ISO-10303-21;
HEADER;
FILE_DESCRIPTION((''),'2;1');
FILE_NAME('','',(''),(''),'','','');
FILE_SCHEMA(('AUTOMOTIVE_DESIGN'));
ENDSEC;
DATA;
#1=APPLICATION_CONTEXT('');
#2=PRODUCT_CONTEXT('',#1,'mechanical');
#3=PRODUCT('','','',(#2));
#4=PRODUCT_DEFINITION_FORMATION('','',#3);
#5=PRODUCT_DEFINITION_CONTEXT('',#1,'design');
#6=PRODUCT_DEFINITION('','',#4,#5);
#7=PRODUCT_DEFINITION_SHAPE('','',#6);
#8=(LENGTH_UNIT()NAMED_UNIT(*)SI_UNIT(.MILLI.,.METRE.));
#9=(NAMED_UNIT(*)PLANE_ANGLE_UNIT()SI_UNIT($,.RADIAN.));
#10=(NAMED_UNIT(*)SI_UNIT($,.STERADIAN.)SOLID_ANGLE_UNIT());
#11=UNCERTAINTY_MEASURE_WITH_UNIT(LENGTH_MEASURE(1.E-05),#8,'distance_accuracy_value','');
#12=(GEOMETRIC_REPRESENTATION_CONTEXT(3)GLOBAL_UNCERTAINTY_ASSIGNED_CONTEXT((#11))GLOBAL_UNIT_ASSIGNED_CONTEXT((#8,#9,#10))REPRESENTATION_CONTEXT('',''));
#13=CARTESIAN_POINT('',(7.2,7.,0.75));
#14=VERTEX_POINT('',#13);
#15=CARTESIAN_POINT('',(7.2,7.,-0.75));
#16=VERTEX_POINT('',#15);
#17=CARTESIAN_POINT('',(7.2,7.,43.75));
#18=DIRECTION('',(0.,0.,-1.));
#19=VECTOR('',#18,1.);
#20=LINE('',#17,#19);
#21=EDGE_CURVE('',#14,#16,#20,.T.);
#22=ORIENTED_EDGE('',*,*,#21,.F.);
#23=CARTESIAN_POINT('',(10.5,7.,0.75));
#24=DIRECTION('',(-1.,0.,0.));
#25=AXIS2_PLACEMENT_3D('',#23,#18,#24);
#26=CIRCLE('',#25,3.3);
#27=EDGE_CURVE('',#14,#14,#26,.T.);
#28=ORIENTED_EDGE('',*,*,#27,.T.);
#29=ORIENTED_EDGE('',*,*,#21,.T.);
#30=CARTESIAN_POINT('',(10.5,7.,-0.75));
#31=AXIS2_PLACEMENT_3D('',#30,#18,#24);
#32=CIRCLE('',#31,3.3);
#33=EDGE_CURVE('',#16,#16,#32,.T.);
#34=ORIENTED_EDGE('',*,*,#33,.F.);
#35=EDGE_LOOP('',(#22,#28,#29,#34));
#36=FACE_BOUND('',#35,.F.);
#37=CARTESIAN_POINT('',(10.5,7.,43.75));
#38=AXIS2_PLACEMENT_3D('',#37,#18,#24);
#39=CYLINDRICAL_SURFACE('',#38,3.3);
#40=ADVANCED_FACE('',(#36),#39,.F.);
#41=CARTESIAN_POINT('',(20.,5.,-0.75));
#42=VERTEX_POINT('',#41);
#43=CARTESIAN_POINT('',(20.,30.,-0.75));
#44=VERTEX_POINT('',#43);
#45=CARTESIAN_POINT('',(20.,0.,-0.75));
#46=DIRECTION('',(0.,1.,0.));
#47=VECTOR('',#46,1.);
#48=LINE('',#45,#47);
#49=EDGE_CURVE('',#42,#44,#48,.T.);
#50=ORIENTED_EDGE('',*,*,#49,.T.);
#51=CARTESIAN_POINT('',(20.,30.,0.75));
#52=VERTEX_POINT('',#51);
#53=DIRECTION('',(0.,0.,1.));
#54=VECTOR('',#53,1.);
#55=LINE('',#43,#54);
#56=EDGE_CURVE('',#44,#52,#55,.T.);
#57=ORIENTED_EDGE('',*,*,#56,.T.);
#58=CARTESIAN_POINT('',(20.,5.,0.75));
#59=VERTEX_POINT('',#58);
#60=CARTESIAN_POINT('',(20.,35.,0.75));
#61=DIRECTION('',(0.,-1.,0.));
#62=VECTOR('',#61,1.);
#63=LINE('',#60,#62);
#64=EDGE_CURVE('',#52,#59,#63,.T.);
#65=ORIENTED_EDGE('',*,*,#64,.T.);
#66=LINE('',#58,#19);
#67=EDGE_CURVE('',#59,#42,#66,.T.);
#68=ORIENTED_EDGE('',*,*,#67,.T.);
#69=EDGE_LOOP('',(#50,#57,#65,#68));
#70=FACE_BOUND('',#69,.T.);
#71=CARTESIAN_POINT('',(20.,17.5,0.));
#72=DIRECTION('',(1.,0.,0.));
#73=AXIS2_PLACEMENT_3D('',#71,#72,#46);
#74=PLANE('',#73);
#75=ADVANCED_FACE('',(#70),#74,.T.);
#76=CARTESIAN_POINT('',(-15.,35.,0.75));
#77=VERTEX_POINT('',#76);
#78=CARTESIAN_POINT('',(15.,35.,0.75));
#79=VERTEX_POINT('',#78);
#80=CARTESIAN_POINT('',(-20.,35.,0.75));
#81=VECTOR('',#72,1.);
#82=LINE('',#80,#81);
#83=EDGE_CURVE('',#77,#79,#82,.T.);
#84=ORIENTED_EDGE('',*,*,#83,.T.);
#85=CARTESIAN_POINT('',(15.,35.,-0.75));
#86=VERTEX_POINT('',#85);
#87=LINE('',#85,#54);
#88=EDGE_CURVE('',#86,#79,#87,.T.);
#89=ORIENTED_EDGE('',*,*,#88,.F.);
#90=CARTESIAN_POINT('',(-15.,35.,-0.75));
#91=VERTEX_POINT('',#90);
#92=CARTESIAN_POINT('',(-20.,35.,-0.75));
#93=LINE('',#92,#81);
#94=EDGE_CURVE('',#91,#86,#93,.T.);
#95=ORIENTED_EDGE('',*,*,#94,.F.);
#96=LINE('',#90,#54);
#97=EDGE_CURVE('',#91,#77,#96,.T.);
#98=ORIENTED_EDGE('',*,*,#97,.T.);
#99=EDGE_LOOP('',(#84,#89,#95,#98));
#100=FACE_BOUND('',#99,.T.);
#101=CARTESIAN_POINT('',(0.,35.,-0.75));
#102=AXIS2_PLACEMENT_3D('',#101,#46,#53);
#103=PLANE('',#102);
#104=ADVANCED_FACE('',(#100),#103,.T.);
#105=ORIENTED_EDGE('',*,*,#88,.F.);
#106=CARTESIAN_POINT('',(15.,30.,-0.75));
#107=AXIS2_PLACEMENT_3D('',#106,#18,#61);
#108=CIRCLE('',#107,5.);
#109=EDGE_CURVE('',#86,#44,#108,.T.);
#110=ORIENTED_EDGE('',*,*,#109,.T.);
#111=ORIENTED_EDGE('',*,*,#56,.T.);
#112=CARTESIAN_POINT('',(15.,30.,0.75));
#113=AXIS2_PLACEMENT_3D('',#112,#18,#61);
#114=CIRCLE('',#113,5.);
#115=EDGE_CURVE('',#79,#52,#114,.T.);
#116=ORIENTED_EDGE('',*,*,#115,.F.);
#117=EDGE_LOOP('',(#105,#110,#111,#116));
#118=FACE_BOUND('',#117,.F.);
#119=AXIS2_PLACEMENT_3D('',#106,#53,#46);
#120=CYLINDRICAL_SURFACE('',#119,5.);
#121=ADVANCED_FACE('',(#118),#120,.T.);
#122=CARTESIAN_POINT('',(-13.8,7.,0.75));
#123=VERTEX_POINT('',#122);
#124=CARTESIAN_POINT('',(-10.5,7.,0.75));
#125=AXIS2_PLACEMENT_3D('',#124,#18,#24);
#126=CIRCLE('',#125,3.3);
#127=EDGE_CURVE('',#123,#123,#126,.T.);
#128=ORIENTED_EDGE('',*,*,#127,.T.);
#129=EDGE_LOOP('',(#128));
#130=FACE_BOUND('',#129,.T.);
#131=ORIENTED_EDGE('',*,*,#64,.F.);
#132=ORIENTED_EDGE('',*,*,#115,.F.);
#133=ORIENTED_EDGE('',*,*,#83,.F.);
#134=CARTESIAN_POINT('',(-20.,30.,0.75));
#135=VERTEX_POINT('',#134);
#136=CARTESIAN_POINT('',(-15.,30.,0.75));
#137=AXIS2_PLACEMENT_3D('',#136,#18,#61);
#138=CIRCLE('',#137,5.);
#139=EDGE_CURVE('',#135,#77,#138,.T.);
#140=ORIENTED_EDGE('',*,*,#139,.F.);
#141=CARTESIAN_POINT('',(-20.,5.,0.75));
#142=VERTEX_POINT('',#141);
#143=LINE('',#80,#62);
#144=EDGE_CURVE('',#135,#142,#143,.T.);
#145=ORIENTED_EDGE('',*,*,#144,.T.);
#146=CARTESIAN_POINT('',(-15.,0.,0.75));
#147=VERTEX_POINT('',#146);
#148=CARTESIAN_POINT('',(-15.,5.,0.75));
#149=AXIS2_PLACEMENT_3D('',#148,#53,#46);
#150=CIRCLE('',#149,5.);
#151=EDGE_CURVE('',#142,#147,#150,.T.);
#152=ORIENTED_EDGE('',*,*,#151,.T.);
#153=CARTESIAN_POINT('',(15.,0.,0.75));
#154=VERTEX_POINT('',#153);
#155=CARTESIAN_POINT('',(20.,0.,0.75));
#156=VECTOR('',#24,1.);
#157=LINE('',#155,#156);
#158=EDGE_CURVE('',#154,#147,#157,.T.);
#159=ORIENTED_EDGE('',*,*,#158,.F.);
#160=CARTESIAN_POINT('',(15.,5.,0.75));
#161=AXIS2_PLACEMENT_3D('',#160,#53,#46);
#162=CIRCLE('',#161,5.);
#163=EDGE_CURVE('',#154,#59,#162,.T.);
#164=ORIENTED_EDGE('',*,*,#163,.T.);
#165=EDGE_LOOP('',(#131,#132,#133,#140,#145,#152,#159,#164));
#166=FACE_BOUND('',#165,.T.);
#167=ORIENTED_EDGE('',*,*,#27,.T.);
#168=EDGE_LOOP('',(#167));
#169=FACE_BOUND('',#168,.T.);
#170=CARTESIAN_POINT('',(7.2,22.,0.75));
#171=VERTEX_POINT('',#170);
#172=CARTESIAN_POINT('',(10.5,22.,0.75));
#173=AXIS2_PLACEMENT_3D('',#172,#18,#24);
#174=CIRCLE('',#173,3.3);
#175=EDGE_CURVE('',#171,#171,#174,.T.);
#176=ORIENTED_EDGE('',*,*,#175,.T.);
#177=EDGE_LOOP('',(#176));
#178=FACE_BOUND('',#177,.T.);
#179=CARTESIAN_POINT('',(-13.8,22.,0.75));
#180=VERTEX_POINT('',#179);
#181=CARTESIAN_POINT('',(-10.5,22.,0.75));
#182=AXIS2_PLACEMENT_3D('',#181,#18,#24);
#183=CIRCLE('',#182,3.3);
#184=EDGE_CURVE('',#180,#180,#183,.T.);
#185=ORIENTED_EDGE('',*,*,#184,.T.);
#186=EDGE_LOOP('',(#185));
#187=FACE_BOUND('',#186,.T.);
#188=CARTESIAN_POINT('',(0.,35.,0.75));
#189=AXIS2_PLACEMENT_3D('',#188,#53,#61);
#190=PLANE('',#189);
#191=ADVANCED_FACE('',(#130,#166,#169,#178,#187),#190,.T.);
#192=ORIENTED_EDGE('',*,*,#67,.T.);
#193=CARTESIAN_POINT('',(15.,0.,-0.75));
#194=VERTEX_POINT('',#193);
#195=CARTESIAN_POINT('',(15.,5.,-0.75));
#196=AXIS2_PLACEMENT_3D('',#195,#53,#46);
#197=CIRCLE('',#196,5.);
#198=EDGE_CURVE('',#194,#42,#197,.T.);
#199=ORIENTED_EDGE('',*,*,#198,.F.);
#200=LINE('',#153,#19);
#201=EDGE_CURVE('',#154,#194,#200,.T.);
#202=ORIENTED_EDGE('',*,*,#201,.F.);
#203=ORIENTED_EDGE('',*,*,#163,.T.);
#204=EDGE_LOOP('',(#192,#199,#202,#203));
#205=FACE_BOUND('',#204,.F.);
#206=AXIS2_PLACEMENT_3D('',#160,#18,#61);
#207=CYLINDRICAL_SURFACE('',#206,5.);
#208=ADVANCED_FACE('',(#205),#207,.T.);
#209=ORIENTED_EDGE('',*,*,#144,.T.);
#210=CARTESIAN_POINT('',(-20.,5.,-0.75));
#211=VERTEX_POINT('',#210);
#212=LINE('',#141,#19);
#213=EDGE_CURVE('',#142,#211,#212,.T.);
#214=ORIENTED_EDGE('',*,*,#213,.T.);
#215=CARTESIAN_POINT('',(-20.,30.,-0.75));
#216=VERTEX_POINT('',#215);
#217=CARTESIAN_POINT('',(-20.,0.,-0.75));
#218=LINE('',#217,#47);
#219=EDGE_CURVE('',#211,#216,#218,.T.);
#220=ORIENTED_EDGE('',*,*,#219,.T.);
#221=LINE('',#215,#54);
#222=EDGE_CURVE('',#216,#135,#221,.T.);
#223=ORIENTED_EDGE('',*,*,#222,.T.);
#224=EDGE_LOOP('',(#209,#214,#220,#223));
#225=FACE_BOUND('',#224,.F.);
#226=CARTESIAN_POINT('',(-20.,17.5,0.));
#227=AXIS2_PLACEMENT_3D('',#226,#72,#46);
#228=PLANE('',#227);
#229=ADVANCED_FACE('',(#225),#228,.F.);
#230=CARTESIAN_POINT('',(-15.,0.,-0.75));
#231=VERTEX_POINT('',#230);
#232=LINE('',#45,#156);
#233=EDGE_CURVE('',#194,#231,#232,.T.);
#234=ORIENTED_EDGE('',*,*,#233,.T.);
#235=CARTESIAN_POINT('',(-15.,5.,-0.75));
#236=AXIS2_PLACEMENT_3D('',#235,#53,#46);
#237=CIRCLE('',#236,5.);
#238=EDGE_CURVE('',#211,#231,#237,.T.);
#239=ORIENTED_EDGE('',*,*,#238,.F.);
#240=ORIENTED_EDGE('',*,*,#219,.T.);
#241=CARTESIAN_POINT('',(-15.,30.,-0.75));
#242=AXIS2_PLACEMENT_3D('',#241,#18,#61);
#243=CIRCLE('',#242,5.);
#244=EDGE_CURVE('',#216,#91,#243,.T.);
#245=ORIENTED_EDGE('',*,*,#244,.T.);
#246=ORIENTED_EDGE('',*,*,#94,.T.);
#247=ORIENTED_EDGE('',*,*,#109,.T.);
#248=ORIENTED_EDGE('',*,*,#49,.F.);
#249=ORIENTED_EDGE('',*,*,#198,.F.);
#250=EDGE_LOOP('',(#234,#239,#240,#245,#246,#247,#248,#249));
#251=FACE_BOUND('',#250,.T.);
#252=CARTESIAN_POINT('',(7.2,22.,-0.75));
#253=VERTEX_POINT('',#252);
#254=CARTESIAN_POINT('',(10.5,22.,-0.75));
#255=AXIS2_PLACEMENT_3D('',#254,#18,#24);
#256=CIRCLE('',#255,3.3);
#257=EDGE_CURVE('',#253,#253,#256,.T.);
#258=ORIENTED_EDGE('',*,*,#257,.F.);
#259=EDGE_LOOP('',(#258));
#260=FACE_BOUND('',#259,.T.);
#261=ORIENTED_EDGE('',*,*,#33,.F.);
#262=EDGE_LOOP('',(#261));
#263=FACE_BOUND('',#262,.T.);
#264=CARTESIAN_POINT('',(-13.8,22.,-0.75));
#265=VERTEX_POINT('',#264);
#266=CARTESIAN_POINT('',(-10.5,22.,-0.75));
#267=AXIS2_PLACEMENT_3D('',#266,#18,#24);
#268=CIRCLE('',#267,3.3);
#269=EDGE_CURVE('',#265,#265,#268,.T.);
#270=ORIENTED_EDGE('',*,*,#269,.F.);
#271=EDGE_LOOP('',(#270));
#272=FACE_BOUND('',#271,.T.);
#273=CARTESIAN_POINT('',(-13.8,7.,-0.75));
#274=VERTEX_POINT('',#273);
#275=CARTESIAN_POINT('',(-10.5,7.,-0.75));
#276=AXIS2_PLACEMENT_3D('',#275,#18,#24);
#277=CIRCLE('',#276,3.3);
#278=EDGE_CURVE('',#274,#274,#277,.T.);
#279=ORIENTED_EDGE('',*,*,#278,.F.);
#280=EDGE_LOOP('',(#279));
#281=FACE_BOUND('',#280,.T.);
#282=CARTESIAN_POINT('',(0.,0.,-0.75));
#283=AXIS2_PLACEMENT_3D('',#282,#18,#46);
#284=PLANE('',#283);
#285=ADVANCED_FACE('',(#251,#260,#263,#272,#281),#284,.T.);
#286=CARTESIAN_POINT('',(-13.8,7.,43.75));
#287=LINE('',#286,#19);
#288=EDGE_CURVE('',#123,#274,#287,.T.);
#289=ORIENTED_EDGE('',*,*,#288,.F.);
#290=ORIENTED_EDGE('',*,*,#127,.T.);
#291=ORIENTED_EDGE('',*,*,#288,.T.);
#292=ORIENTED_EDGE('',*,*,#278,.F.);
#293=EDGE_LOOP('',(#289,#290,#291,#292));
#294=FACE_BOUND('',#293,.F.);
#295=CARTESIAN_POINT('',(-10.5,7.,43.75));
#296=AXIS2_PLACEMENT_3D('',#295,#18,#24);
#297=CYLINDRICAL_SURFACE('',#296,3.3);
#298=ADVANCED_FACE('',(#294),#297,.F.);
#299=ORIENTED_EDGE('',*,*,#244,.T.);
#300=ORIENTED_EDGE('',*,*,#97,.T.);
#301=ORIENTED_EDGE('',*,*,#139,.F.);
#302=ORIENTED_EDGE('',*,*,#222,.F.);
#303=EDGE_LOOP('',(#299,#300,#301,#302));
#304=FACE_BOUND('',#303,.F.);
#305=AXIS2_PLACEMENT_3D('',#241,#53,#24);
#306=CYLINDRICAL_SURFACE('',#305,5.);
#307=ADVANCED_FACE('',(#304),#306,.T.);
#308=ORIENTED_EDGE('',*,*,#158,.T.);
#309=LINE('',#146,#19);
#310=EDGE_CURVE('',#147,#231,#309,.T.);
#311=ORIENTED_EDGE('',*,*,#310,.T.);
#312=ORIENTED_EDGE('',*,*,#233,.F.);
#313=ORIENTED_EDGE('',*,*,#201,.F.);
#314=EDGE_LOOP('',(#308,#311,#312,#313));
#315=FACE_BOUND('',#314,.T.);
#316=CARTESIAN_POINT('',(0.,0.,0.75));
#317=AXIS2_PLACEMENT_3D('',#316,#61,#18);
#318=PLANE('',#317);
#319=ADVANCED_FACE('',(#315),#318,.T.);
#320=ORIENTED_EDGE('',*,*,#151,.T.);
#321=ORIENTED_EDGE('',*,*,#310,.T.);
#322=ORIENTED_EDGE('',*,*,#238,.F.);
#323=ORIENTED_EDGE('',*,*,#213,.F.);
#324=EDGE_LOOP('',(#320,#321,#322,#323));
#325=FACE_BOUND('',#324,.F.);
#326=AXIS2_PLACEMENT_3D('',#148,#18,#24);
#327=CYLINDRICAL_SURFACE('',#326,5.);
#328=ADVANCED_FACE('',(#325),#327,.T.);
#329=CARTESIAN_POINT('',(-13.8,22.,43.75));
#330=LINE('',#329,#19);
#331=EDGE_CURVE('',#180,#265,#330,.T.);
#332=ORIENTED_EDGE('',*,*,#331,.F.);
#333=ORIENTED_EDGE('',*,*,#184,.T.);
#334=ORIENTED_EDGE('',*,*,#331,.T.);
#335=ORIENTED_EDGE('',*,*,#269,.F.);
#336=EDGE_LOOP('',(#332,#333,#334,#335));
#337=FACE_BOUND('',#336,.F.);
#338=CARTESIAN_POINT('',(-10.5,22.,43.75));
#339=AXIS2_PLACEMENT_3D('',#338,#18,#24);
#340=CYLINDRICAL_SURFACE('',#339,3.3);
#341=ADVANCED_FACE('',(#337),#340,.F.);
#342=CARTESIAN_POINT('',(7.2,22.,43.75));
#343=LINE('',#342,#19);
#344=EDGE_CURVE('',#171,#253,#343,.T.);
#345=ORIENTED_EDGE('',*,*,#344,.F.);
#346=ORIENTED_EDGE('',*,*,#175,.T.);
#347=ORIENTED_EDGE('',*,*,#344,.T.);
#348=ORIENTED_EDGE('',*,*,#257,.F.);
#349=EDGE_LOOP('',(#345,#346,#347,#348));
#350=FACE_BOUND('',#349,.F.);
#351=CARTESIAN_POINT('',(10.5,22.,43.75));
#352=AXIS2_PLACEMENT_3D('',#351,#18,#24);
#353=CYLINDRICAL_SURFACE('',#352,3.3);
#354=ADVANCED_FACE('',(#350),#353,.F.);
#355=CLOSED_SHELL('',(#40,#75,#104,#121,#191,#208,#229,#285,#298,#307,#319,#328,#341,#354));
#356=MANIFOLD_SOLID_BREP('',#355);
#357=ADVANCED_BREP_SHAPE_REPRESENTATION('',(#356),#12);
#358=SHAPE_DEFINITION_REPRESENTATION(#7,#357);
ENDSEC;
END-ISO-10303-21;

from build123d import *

# Parameters (mm, degrees)
F1_DEPTH = 20
F3_D     = 6.6
F3_DEPTH = 43
F3_TIP   = 1.9828400428
F4_R     = 5


with BuildPart() as f1:
    # F0 (on Right) → F1 (new body, symmetric)
    with BuildSketch(Plane.YZ):
        Polygon((0, 0), (0, -0.75), (35, -0.75), (35, 0.75), (0, 0.75), align=None)
    extrude(amount=F1_DEPTH, both=True)

    # F3
    with Locations(Plane.XY.offset(0.75)):
        with Locations((-10.5, 7), (10.5, 7), (10.5, 22), (-10.5, 22)):
            Hole(F3_D / 2, depth=F3_DEPTH)
            with Locations((0, 0, -(F3_DEPTH + F3_TIP / 2))):  # 118° drill point
                Cone(0, F3_D / 2, F3_TIP, mode=Mode.SUBTRACT)

    # F4
    f4_edges = [f1.edges().sort_by_distance(p)[0] for p in [
        (20, 0, 0),
        (-20, 0, 0),
        (20, 35, 0),
        (-20, 35, 0),
    ]]
    fillet(f4_edges, radius=F4_R)


solid = f1.part
